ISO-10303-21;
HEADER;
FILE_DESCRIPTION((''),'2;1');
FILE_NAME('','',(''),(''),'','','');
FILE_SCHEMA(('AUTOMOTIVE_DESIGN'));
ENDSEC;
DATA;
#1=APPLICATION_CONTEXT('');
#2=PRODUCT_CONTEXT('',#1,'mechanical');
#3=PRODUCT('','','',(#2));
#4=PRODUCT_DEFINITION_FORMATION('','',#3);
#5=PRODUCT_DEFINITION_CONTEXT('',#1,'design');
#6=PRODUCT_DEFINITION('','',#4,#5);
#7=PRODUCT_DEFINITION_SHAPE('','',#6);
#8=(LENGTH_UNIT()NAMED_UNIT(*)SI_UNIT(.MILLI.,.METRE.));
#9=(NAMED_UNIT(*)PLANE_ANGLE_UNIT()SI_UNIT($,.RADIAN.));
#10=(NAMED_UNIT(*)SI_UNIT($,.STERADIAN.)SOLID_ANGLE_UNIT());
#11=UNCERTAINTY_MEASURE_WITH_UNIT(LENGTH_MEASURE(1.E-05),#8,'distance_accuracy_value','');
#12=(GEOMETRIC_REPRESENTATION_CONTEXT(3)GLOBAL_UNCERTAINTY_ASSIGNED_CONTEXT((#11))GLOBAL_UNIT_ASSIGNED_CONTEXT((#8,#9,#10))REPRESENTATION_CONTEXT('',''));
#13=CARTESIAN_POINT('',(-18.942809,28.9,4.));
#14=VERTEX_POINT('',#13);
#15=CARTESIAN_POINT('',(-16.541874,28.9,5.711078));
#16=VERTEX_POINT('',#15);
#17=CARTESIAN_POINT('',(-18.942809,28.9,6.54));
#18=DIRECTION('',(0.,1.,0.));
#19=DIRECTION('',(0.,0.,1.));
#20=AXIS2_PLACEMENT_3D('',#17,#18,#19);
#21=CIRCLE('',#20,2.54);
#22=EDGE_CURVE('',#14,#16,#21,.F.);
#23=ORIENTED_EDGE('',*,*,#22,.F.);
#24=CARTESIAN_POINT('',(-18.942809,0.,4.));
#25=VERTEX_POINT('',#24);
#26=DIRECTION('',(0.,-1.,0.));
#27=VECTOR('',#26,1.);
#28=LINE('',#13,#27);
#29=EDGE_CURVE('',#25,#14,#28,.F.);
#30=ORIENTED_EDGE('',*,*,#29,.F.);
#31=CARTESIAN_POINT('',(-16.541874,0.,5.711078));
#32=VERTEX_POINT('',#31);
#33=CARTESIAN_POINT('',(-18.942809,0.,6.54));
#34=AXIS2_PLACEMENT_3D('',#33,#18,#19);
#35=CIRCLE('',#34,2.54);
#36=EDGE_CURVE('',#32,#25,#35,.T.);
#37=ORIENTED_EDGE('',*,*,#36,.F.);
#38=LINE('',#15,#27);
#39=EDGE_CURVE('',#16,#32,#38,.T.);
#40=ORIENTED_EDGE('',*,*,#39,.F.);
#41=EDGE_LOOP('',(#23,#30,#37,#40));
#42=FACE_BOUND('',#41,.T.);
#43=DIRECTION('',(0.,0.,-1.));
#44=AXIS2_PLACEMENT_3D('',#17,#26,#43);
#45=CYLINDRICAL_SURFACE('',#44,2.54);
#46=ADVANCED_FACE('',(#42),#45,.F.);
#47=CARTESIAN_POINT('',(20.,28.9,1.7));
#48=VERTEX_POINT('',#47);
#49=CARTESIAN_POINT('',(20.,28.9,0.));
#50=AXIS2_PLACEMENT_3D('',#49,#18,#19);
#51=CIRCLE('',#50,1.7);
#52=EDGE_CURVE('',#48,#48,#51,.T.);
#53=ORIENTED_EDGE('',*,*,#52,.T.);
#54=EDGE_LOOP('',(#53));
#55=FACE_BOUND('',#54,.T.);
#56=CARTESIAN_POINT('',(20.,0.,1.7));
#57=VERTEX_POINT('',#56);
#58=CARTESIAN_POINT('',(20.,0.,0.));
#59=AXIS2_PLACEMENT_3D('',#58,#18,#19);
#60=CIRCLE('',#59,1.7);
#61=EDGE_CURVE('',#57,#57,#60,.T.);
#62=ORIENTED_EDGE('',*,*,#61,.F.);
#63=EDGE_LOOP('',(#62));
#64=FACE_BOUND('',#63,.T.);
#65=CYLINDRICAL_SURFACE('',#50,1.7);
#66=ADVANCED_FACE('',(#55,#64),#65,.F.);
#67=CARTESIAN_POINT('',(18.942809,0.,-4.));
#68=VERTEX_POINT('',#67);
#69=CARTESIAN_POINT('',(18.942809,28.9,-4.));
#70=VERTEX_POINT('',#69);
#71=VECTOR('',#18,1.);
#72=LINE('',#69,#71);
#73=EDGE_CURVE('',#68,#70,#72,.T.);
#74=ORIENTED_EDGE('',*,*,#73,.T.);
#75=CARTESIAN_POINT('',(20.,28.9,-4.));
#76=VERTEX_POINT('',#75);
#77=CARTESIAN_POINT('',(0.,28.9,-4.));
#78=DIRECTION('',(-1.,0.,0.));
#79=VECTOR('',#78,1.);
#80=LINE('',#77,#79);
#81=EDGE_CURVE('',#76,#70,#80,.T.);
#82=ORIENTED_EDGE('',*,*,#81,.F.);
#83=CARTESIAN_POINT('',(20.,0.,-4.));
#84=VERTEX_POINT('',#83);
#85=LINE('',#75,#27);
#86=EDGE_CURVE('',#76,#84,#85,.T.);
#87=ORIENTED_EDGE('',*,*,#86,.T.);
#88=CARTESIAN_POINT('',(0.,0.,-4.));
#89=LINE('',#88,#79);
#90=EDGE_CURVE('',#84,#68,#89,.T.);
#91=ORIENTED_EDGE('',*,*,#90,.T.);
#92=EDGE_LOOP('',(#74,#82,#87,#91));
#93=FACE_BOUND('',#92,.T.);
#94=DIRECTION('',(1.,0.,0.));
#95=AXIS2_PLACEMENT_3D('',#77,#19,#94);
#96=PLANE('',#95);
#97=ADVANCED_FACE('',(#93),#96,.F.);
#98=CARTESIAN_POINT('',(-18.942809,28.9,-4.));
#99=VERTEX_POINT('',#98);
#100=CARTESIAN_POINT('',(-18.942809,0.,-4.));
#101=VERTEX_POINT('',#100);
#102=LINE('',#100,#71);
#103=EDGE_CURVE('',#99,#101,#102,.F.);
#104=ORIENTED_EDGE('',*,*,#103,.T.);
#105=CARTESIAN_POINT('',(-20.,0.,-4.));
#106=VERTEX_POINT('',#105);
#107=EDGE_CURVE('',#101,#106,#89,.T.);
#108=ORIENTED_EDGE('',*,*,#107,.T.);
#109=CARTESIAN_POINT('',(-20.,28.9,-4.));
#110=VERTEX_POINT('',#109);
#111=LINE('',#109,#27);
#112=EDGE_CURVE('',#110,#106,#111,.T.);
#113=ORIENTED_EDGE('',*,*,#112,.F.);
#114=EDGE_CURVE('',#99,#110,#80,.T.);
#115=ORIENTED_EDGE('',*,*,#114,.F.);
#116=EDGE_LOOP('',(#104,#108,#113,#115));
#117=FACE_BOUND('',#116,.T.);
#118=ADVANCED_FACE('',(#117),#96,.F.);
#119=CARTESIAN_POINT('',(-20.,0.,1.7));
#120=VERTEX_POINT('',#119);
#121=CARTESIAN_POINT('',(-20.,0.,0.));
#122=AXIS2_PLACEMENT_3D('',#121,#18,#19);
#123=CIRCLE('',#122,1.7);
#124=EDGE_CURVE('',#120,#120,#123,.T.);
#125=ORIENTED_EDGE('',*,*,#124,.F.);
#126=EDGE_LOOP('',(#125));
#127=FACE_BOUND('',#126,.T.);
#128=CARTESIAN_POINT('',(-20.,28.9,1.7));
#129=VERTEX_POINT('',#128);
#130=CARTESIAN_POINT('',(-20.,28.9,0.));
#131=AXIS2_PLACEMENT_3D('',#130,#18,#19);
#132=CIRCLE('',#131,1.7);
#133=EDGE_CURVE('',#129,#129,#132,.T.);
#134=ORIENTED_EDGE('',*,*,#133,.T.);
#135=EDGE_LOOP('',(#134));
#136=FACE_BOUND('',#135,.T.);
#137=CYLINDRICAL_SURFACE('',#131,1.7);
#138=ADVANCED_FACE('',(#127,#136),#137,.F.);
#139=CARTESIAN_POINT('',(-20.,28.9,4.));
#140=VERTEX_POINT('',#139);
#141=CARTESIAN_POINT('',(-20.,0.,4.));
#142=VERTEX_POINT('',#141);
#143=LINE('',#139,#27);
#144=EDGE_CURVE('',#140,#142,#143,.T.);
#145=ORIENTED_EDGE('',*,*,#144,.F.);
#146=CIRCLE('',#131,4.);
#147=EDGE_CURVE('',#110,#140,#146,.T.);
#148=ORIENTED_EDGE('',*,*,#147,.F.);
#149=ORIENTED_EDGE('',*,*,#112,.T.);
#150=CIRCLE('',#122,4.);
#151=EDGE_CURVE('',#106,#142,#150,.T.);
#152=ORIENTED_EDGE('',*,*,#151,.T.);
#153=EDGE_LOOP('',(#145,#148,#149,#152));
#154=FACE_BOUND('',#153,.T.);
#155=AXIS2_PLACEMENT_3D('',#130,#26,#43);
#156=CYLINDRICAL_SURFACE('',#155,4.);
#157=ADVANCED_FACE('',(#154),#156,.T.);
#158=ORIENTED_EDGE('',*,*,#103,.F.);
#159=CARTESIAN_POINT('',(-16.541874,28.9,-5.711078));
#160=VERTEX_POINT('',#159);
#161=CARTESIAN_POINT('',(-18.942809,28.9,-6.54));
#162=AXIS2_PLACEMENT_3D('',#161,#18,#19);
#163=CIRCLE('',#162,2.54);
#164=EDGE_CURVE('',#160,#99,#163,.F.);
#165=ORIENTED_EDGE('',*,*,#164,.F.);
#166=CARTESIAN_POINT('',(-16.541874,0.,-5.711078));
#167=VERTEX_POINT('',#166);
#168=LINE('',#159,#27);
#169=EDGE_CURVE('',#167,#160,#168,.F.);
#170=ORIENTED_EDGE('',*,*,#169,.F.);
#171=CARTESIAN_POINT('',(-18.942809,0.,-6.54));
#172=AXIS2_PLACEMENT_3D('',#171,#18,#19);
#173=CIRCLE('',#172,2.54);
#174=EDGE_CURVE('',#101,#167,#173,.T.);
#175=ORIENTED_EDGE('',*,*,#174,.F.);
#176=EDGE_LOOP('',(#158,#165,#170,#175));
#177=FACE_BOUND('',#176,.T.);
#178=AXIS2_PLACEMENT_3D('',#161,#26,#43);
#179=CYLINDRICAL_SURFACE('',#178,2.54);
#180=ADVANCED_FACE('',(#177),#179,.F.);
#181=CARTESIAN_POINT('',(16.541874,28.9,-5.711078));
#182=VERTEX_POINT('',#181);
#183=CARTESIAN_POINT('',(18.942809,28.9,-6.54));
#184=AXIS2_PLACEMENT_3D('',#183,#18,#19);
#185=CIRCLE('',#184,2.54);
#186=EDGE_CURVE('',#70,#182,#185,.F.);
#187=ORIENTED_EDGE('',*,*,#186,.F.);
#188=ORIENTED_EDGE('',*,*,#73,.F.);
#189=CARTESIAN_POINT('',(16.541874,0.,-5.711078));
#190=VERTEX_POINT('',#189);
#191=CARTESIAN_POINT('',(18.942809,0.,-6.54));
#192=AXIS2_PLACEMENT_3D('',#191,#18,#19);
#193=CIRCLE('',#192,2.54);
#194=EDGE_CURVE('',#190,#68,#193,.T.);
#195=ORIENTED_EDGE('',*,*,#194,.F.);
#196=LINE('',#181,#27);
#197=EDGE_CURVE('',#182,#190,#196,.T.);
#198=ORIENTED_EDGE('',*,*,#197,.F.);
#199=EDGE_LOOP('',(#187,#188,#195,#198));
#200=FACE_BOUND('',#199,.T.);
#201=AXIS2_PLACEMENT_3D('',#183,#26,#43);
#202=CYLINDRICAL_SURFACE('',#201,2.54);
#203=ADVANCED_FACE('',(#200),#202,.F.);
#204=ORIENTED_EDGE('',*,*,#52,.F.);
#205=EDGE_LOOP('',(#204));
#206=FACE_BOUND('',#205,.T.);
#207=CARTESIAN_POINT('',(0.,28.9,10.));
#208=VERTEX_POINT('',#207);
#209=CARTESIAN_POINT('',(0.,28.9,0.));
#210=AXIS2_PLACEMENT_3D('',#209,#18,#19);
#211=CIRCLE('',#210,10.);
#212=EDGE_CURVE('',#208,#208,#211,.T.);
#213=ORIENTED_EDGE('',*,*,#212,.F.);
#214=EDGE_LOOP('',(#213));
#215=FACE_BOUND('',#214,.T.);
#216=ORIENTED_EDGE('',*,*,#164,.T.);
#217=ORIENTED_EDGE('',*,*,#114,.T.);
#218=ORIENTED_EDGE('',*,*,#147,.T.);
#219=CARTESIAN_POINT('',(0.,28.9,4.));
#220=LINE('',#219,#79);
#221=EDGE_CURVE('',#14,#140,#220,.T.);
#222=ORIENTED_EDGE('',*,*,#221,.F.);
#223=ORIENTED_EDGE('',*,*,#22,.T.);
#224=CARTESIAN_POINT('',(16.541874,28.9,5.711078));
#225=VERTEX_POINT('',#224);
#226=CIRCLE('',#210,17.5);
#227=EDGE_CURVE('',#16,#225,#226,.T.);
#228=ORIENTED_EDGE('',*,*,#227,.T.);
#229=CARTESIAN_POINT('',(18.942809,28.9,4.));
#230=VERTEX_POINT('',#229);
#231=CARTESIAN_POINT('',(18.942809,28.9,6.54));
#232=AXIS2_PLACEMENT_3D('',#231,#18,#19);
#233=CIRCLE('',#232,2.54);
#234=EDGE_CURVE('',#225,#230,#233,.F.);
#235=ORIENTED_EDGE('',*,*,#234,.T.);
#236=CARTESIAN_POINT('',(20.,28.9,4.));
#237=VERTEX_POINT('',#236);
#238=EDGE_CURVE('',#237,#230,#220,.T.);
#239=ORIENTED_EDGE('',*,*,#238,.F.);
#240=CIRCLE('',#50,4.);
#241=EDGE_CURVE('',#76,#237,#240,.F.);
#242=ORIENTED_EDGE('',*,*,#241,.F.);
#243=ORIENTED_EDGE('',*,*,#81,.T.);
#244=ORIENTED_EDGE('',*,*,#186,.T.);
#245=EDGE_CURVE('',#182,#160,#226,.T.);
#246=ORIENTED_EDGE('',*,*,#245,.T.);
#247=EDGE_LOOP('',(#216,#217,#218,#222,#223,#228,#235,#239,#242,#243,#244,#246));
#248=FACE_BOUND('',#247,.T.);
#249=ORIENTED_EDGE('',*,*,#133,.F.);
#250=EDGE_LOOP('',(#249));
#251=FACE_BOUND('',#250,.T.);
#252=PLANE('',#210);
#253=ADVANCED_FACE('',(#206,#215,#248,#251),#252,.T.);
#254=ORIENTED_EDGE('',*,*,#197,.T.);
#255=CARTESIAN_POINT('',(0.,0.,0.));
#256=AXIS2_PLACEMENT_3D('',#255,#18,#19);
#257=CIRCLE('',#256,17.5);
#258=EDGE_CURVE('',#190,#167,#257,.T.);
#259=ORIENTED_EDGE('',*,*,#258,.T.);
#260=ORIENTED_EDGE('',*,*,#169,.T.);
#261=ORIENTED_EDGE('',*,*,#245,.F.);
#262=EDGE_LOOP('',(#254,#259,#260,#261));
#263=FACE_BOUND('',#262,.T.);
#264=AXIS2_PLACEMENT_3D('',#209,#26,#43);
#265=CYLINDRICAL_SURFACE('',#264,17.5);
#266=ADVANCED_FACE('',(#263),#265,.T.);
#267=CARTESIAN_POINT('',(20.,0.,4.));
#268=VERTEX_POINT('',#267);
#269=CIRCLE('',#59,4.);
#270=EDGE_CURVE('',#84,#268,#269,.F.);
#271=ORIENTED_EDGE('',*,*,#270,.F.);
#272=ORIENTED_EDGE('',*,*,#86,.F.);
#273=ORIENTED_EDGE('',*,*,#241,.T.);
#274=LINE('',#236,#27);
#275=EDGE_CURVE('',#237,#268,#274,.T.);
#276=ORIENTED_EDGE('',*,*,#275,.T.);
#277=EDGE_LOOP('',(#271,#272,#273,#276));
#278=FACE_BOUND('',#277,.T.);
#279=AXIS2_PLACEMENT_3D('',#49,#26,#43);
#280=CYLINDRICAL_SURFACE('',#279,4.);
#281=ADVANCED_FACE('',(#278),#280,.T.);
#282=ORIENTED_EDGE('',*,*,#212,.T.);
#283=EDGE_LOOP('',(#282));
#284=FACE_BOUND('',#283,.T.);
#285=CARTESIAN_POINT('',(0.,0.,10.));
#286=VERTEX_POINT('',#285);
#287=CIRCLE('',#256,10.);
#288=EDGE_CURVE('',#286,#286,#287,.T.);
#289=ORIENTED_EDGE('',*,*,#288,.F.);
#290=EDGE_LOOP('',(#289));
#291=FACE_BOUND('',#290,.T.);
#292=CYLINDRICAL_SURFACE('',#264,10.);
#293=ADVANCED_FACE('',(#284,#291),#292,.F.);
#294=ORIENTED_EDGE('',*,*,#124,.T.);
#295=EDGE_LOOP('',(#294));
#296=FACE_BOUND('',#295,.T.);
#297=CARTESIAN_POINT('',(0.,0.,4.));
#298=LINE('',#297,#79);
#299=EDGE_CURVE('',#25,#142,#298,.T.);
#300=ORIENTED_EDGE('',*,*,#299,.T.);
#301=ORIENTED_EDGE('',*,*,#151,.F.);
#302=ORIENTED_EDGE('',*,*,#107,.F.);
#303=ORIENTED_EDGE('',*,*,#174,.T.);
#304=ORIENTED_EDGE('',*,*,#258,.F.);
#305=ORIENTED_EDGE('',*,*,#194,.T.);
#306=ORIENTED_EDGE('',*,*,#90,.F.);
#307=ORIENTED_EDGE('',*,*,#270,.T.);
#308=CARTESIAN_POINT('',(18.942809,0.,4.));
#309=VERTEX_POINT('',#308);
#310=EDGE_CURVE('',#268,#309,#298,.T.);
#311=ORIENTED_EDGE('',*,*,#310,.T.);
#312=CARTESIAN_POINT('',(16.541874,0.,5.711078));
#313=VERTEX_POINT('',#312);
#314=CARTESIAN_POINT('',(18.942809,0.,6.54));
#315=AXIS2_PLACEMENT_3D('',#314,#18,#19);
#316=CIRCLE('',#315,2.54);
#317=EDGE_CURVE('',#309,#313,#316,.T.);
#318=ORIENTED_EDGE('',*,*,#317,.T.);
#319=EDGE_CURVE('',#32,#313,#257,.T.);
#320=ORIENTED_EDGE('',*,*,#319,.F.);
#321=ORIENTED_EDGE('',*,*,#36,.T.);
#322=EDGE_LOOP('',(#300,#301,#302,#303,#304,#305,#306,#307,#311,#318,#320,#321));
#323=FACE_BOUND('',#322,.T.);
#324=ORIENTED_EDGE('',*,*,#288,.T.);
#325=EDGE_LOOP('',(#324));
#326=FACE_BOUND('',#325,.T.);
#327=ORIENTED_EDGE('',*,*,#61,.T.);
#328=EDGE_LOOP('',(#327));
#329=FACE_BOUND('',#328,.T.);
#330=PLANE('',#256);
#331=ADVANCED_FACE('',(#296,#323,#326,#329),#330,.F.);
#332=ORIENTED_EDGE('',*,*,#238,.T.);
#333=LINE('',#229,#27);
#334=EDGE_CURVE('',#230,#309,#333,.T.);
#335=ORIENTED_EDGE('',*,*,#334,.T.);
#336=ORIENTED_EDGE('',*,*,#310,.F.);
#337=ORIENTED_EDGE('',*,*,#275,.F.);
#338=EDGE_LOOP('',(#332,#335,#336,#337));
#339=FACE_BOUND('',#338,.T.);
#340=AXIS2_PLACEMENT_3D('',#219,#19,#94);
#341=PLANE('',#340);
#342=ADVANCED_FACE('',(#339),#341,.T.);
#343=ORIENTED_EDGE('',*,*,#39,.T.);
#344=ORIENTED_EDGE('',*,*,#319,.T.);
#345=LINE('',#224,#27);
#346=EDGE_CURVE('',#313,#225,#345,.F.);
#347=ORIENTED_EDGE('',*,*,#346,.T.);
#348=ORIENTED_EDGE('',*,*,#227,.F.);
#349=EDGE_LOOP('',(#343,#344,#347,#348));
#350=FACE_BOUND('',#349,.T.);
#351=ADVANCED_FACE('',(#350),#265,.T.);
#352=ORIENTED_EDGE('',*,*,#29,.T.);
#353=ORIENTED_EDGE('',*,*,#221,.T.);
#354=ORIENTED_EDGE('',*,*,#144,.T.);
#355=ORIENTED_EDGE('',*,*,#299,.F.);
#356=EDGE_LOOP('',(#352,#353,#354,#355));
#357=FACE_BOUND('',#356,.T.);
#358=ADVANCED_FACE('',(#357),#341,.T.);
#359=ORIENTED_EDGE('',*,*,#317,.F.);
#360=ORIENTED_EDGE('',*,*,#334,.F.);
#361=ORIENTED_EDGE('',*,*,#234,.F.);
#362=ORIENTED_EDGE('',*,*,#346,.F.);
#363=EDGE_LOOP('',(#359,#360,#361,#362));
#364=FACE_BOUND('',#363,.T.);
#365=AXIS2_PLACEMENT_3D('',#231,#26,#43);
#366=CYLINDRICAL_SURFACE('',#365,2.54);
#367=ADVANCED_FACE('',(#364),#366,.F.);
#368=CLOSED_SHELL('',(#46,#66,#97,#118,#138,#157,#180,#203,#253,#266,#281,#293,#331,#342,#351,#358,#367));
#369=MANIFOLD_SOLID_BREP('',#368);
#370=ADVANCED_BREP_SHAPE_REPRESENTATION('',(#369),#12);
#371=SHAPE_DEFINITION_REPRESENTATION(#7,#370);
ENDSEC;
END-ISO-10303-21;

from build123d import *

# Parameters (mm, degrees)
BOSS_EXTRUDE1_DEPTH  = 28.9
FILLET1_R            = 2.54
M3_CLEARANCE_HOLE1_D = 3.4


with BuildPart() as part:
    # Sketch1 → Boss-Extrude1 (new body)
    with BuildSketch(Plane(origin=(0, 0, 0), x_dir=(1, 0, 0), z_dir=(0, 1, 0))):
        with BuildLine():
            Line((9.16515139, 4), (17.036725037, 4))
            ThreePointArc((17.036725037, 4), (0, 17.5), (-17.036725037, 4))
            Line((-17.036725037, 4), (-9.16515139, 4))
            ThreePointArc((-9.16515139, 4), (0, 10), (9.16515139, 4))
        make_face()
        with BuildLine():
            Line((9.16515139, -4), (17.036725037, -4))
            ThreePointArc((17.036725037, -4), (17.383795445, -2.013369296), (17.5, 0))
            ThreePointArc((17.5, 0), (17.383795445, 2.013369296), (17.036725037, 4))
            Line((17.036725037, 4), (9.16515139, 4))
            ThreePointArc((9.16515139, 4), (9.789063129, 2.043096437), (10, 0))
            ThreePointArc((10, 0), (9.789063129, -2.043096437), (9.16515139, -4))
        make_face()
        with BuildLine():
            ThreePointArc((-17.036725037, 4), (-17.5, 0), (-17.036725037, -4))
            Line((-17.036725037, -4), (-9.16515139, -4))
            ThreePointArc((-9.16515139, -4), (-10, 0), (-9.16515139, 4))
            Line((-9.16515139, 4), (-17.036725037, 4))
        make_face()
        with BuildLine():
            ThreePointArc((-17.036725037, -4), (0, -17.5), (17.036725037, -4))
            Line((17.036725037, -4), (9.16515139, -4))
            ThreePointArc((9.16515139, -4), (0, -10), (-9.16515139, -4))
            Line((-9.16515139, -4), (-17.036725037, -4))
        make_face()
        with BuildLine():
            Line((17.036725037, -4), (20, -4))
            Line((20, -4), (20, 4))
            Line((20, 4), (17.036725037, 4))
            ThreePointArc((17.036725037, 4), (17.383795445, 2.013369296), (17.5, 0))
            ThreePointArc((17.5, 0), (17.383795445, -2.013369296), (17.036725037, -4))
        make_face()
        with BuildLine():
            ThreePointArc((20, 4), (24, 0), (20, -4))
            Line((20, -4), (20, 4))
        make_face()
        with BuildLine():
            Line((-20, -4), (-20, 4))
            ThreePointArc((-20, 4), (-24, 0), (-20, -4))
        make_face()
        with BuildLine():
            Line((-20, -4), (-17.036725037, -4))
            ThreePointArc((-17.036725037, -4), (-17.5, 0), (-17.036725037, 4))
            Line((-17.036725037, 4), (-20, 4))
            Line((-20, 4), (-20, -4))
        make_face()
    extrude(amount=BOSS_EXTRUDE1_DEPTH)

    # Fillet1
    fillet1_edges = [part.edges().sort_by_distance(p)[0] for p in [
        (-17.036725037, 14.45, 4),
        (-17.036725037, 14.45, -4),
        (17.036725037, 14.45, -4),
        (17.036725037, 14.45, 4),
    ]]
    fillet(fillet1_edges, radius=FILLET1_R)

    # M3 Clearance Hole1 (through all)
    with Locations(Plane(origin=(0, 28.9, 0), x_dir=(1, 0, 0), z_dir=(0, 1, 0))):
        with Locations((-20, 0), (20, 0)):
            Hole(M3_CLEARANCE_HOLE1_D / 2)


solid = part.part
